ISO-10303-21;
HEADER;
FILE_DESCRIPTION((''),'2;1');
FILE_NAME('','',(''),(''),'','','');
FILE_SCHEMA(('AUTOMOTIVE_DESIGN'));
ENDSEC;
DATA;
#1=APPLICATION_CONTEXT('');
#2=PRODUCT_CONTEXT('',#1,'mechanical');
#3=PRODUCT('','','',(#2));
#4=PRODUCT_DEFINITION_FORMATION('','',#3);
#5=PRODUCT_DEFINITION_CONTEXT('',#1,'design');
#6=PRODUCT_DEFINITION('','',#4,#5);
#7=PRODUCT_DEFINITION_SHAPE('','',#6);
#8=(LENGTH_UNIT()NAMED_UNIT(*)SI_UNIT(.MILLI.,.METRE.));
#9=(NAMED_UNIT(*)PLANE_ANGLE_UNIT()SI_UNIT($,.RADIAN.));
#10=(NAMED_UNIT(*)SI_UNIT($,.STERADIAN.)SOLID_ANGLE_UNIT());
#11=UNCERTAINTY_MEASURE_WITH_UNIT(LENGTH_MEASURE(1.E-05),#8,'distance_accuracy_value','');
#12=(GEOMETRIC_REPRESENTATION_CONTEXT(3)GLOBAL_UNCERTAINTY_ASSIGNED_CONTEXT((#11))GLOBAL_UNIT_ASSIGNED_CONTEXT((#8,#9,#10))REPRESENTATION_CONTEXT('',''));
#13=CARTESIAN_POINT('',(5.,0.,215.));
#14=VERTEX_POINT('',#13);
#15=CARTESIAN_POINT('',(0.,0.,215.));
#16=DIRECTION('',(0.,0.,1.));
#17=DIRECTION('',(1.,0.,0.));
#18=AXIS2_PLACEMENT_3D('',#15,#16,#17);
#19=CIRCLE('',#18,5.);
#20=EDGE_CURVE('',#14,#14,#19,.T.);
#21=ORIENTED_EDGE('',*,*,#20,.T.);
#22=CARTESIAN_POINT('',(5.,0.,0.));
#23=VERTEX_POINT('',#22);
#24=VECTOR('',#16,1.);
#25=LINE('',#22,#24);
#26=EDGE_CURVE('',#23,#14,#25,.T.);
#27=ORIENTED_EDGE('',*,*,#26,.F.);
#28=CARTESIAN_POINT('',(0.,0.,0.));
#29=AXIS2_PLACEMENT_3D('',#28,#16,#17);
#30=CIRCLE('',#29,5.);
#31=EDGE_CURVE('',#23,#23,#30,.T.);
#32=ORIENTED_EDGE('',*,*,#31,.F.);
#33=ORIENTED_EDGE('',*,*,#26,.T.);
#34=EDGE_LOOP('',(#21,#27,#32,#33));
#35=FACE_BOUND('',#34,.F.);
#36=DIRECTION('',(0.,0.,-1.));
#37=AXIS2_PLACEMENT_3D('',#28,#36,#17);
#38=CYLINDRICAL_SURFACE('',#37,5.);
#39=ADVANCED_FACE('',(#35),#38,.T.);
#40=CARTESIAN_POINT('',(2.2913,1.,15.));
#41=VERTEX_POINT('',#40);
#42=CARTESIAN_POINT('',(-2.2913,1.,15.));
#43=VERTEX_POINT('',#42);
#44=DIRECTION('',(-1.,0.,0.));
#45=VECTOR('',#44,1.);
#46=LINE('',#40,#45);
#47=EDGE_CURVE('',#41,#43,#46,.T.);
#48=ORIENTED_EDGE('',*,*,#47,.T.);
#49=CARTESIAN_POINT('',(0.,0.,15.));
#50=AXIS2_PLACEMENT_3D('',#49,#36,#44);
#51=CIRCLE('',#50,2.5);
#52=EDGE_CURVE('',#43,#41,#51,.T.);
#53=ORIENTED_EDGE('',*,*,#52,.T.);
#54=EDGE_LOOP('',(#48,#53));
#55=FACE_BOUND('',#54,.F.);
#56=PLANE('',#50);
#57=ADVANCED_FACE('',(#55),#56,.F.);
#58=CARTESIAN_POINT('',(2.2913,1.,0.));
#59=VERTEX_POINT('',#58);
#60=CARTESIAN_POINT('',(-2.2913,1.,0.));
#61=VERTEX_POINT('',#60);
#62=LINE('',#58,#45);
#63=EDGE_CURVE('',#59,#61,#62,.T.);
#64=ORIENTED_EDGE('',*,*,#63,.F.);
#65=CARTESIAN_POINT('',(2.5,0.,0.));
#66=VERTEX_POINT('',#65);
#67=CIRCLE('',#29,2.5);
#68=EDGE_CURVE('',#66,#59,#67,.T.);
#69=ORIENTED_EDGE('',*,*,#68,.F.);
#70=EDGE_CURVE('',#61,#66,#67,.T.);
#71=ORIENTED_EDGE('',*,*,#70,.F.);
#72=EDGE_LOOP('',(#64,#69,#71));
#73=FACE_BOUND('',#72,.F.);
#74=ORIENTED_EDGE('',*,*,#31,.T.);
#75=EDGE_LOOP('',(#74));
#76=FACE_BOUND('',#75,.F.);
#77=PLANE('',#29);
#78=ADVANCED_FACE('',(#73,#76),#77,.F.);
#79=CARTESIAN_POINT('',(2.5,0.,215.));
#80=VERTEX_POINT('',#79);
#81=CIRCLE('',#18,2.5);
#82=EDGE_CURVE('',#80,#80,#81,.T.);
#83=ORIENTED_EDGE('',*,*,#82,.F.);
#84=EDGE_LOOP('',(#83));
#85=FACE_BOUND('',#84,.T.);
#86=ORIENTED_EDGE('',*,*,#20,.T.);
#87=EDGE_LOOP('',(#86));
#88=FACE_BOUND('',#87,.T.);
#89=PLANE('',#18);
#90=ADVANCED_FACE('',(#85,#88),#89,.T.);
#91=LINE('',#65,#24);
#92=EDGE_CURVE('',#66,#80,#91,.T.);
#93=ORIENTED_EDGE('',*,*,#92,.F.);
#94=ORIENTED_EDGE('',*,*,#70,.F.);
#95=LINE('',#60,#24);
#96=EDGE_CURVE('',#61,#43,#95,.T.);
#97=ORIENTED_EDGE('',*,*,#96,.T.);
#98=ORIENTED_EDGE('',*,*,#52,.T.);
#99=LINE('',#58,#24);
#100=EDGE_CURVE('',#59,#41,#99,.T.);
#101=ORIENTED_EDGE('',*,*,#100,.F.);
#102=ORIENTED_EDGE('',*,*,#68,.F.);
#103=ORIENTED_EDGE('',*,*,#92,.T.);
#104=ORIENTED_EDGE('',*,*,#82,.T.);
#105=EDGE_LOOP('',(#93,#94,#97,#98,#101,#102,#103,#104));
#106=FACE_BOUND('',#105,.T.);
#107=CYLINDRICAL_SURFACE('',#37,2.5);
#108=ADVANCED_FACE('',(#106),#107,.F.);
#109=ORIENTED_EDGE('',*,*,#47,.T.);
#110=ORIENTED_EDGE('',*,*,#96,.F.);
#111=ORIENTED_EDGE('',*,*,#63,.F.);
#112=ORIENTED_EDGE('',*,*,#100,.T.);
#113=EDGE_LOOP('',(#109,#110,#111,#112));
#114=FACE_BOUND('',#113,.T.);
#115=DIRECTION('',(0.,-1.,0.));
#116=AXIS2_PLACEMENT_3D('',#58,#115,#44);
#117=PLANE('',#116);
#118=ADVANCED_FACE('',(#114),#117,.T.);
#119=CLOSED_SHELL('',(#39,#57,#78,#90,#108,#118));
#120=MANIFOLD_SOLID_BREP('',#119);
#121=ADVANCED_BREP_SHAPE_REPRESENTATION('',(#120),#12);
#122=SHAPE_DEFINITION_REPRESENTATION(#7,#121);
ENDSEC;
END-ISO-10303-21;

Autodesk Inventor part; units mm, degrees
ref_plane "YZ Plane" through (0, 0, 0) normal (1, 0, 0) x (0, 1, 0)
ref_plane "XZ Plane" through (0, 0, 0) normal (0, 1, 0) x (-1, 0, 0)
ref_plane "XY Plane" through (0, 0, 0) normal (0, 0, 1) x (1, 0, 0)
sketch "Sketch1" plane through (0, 0, 0) normal (0, 0, 1) x (1, 0, 0)
  circle A0 centre (0, 0) radius 5
  circle A1 centre (0, 0) radius 2.5
  dimension "d0" = 10
  dimension "d1" = 5
extrude "Extrusion1" add sketch "Sketch1" along normal blind 215
thread "Thread1" size "M10x1.5" class "6g" standard "ANSI Metric M Profile" full length
sketch "Sketch2" plane through (0, 0, 215) normal (0, 0, 1) x (1, 0, 0)
  point P0 (0, 0)
sketch "Sketch3" plane through (0, 0, 0) normal (0, 0, -1) x (-1, 0, 0)
  circle A0 centre (0, 0) radius 2.5 projected
  line L0 (-2.2913, 1) -> (2.2913, 1)
  arc A1 (2.2913, 1) -> (-2.2913, 1) centre (0, 0) ccw
  dimension "d6" = 1
extrude "Extrusion2" add sketch "Sketch3" against normal blind 15 contours L0 A0 picked at (0.6667, 1.1666)
properties part number "Main Screw"
